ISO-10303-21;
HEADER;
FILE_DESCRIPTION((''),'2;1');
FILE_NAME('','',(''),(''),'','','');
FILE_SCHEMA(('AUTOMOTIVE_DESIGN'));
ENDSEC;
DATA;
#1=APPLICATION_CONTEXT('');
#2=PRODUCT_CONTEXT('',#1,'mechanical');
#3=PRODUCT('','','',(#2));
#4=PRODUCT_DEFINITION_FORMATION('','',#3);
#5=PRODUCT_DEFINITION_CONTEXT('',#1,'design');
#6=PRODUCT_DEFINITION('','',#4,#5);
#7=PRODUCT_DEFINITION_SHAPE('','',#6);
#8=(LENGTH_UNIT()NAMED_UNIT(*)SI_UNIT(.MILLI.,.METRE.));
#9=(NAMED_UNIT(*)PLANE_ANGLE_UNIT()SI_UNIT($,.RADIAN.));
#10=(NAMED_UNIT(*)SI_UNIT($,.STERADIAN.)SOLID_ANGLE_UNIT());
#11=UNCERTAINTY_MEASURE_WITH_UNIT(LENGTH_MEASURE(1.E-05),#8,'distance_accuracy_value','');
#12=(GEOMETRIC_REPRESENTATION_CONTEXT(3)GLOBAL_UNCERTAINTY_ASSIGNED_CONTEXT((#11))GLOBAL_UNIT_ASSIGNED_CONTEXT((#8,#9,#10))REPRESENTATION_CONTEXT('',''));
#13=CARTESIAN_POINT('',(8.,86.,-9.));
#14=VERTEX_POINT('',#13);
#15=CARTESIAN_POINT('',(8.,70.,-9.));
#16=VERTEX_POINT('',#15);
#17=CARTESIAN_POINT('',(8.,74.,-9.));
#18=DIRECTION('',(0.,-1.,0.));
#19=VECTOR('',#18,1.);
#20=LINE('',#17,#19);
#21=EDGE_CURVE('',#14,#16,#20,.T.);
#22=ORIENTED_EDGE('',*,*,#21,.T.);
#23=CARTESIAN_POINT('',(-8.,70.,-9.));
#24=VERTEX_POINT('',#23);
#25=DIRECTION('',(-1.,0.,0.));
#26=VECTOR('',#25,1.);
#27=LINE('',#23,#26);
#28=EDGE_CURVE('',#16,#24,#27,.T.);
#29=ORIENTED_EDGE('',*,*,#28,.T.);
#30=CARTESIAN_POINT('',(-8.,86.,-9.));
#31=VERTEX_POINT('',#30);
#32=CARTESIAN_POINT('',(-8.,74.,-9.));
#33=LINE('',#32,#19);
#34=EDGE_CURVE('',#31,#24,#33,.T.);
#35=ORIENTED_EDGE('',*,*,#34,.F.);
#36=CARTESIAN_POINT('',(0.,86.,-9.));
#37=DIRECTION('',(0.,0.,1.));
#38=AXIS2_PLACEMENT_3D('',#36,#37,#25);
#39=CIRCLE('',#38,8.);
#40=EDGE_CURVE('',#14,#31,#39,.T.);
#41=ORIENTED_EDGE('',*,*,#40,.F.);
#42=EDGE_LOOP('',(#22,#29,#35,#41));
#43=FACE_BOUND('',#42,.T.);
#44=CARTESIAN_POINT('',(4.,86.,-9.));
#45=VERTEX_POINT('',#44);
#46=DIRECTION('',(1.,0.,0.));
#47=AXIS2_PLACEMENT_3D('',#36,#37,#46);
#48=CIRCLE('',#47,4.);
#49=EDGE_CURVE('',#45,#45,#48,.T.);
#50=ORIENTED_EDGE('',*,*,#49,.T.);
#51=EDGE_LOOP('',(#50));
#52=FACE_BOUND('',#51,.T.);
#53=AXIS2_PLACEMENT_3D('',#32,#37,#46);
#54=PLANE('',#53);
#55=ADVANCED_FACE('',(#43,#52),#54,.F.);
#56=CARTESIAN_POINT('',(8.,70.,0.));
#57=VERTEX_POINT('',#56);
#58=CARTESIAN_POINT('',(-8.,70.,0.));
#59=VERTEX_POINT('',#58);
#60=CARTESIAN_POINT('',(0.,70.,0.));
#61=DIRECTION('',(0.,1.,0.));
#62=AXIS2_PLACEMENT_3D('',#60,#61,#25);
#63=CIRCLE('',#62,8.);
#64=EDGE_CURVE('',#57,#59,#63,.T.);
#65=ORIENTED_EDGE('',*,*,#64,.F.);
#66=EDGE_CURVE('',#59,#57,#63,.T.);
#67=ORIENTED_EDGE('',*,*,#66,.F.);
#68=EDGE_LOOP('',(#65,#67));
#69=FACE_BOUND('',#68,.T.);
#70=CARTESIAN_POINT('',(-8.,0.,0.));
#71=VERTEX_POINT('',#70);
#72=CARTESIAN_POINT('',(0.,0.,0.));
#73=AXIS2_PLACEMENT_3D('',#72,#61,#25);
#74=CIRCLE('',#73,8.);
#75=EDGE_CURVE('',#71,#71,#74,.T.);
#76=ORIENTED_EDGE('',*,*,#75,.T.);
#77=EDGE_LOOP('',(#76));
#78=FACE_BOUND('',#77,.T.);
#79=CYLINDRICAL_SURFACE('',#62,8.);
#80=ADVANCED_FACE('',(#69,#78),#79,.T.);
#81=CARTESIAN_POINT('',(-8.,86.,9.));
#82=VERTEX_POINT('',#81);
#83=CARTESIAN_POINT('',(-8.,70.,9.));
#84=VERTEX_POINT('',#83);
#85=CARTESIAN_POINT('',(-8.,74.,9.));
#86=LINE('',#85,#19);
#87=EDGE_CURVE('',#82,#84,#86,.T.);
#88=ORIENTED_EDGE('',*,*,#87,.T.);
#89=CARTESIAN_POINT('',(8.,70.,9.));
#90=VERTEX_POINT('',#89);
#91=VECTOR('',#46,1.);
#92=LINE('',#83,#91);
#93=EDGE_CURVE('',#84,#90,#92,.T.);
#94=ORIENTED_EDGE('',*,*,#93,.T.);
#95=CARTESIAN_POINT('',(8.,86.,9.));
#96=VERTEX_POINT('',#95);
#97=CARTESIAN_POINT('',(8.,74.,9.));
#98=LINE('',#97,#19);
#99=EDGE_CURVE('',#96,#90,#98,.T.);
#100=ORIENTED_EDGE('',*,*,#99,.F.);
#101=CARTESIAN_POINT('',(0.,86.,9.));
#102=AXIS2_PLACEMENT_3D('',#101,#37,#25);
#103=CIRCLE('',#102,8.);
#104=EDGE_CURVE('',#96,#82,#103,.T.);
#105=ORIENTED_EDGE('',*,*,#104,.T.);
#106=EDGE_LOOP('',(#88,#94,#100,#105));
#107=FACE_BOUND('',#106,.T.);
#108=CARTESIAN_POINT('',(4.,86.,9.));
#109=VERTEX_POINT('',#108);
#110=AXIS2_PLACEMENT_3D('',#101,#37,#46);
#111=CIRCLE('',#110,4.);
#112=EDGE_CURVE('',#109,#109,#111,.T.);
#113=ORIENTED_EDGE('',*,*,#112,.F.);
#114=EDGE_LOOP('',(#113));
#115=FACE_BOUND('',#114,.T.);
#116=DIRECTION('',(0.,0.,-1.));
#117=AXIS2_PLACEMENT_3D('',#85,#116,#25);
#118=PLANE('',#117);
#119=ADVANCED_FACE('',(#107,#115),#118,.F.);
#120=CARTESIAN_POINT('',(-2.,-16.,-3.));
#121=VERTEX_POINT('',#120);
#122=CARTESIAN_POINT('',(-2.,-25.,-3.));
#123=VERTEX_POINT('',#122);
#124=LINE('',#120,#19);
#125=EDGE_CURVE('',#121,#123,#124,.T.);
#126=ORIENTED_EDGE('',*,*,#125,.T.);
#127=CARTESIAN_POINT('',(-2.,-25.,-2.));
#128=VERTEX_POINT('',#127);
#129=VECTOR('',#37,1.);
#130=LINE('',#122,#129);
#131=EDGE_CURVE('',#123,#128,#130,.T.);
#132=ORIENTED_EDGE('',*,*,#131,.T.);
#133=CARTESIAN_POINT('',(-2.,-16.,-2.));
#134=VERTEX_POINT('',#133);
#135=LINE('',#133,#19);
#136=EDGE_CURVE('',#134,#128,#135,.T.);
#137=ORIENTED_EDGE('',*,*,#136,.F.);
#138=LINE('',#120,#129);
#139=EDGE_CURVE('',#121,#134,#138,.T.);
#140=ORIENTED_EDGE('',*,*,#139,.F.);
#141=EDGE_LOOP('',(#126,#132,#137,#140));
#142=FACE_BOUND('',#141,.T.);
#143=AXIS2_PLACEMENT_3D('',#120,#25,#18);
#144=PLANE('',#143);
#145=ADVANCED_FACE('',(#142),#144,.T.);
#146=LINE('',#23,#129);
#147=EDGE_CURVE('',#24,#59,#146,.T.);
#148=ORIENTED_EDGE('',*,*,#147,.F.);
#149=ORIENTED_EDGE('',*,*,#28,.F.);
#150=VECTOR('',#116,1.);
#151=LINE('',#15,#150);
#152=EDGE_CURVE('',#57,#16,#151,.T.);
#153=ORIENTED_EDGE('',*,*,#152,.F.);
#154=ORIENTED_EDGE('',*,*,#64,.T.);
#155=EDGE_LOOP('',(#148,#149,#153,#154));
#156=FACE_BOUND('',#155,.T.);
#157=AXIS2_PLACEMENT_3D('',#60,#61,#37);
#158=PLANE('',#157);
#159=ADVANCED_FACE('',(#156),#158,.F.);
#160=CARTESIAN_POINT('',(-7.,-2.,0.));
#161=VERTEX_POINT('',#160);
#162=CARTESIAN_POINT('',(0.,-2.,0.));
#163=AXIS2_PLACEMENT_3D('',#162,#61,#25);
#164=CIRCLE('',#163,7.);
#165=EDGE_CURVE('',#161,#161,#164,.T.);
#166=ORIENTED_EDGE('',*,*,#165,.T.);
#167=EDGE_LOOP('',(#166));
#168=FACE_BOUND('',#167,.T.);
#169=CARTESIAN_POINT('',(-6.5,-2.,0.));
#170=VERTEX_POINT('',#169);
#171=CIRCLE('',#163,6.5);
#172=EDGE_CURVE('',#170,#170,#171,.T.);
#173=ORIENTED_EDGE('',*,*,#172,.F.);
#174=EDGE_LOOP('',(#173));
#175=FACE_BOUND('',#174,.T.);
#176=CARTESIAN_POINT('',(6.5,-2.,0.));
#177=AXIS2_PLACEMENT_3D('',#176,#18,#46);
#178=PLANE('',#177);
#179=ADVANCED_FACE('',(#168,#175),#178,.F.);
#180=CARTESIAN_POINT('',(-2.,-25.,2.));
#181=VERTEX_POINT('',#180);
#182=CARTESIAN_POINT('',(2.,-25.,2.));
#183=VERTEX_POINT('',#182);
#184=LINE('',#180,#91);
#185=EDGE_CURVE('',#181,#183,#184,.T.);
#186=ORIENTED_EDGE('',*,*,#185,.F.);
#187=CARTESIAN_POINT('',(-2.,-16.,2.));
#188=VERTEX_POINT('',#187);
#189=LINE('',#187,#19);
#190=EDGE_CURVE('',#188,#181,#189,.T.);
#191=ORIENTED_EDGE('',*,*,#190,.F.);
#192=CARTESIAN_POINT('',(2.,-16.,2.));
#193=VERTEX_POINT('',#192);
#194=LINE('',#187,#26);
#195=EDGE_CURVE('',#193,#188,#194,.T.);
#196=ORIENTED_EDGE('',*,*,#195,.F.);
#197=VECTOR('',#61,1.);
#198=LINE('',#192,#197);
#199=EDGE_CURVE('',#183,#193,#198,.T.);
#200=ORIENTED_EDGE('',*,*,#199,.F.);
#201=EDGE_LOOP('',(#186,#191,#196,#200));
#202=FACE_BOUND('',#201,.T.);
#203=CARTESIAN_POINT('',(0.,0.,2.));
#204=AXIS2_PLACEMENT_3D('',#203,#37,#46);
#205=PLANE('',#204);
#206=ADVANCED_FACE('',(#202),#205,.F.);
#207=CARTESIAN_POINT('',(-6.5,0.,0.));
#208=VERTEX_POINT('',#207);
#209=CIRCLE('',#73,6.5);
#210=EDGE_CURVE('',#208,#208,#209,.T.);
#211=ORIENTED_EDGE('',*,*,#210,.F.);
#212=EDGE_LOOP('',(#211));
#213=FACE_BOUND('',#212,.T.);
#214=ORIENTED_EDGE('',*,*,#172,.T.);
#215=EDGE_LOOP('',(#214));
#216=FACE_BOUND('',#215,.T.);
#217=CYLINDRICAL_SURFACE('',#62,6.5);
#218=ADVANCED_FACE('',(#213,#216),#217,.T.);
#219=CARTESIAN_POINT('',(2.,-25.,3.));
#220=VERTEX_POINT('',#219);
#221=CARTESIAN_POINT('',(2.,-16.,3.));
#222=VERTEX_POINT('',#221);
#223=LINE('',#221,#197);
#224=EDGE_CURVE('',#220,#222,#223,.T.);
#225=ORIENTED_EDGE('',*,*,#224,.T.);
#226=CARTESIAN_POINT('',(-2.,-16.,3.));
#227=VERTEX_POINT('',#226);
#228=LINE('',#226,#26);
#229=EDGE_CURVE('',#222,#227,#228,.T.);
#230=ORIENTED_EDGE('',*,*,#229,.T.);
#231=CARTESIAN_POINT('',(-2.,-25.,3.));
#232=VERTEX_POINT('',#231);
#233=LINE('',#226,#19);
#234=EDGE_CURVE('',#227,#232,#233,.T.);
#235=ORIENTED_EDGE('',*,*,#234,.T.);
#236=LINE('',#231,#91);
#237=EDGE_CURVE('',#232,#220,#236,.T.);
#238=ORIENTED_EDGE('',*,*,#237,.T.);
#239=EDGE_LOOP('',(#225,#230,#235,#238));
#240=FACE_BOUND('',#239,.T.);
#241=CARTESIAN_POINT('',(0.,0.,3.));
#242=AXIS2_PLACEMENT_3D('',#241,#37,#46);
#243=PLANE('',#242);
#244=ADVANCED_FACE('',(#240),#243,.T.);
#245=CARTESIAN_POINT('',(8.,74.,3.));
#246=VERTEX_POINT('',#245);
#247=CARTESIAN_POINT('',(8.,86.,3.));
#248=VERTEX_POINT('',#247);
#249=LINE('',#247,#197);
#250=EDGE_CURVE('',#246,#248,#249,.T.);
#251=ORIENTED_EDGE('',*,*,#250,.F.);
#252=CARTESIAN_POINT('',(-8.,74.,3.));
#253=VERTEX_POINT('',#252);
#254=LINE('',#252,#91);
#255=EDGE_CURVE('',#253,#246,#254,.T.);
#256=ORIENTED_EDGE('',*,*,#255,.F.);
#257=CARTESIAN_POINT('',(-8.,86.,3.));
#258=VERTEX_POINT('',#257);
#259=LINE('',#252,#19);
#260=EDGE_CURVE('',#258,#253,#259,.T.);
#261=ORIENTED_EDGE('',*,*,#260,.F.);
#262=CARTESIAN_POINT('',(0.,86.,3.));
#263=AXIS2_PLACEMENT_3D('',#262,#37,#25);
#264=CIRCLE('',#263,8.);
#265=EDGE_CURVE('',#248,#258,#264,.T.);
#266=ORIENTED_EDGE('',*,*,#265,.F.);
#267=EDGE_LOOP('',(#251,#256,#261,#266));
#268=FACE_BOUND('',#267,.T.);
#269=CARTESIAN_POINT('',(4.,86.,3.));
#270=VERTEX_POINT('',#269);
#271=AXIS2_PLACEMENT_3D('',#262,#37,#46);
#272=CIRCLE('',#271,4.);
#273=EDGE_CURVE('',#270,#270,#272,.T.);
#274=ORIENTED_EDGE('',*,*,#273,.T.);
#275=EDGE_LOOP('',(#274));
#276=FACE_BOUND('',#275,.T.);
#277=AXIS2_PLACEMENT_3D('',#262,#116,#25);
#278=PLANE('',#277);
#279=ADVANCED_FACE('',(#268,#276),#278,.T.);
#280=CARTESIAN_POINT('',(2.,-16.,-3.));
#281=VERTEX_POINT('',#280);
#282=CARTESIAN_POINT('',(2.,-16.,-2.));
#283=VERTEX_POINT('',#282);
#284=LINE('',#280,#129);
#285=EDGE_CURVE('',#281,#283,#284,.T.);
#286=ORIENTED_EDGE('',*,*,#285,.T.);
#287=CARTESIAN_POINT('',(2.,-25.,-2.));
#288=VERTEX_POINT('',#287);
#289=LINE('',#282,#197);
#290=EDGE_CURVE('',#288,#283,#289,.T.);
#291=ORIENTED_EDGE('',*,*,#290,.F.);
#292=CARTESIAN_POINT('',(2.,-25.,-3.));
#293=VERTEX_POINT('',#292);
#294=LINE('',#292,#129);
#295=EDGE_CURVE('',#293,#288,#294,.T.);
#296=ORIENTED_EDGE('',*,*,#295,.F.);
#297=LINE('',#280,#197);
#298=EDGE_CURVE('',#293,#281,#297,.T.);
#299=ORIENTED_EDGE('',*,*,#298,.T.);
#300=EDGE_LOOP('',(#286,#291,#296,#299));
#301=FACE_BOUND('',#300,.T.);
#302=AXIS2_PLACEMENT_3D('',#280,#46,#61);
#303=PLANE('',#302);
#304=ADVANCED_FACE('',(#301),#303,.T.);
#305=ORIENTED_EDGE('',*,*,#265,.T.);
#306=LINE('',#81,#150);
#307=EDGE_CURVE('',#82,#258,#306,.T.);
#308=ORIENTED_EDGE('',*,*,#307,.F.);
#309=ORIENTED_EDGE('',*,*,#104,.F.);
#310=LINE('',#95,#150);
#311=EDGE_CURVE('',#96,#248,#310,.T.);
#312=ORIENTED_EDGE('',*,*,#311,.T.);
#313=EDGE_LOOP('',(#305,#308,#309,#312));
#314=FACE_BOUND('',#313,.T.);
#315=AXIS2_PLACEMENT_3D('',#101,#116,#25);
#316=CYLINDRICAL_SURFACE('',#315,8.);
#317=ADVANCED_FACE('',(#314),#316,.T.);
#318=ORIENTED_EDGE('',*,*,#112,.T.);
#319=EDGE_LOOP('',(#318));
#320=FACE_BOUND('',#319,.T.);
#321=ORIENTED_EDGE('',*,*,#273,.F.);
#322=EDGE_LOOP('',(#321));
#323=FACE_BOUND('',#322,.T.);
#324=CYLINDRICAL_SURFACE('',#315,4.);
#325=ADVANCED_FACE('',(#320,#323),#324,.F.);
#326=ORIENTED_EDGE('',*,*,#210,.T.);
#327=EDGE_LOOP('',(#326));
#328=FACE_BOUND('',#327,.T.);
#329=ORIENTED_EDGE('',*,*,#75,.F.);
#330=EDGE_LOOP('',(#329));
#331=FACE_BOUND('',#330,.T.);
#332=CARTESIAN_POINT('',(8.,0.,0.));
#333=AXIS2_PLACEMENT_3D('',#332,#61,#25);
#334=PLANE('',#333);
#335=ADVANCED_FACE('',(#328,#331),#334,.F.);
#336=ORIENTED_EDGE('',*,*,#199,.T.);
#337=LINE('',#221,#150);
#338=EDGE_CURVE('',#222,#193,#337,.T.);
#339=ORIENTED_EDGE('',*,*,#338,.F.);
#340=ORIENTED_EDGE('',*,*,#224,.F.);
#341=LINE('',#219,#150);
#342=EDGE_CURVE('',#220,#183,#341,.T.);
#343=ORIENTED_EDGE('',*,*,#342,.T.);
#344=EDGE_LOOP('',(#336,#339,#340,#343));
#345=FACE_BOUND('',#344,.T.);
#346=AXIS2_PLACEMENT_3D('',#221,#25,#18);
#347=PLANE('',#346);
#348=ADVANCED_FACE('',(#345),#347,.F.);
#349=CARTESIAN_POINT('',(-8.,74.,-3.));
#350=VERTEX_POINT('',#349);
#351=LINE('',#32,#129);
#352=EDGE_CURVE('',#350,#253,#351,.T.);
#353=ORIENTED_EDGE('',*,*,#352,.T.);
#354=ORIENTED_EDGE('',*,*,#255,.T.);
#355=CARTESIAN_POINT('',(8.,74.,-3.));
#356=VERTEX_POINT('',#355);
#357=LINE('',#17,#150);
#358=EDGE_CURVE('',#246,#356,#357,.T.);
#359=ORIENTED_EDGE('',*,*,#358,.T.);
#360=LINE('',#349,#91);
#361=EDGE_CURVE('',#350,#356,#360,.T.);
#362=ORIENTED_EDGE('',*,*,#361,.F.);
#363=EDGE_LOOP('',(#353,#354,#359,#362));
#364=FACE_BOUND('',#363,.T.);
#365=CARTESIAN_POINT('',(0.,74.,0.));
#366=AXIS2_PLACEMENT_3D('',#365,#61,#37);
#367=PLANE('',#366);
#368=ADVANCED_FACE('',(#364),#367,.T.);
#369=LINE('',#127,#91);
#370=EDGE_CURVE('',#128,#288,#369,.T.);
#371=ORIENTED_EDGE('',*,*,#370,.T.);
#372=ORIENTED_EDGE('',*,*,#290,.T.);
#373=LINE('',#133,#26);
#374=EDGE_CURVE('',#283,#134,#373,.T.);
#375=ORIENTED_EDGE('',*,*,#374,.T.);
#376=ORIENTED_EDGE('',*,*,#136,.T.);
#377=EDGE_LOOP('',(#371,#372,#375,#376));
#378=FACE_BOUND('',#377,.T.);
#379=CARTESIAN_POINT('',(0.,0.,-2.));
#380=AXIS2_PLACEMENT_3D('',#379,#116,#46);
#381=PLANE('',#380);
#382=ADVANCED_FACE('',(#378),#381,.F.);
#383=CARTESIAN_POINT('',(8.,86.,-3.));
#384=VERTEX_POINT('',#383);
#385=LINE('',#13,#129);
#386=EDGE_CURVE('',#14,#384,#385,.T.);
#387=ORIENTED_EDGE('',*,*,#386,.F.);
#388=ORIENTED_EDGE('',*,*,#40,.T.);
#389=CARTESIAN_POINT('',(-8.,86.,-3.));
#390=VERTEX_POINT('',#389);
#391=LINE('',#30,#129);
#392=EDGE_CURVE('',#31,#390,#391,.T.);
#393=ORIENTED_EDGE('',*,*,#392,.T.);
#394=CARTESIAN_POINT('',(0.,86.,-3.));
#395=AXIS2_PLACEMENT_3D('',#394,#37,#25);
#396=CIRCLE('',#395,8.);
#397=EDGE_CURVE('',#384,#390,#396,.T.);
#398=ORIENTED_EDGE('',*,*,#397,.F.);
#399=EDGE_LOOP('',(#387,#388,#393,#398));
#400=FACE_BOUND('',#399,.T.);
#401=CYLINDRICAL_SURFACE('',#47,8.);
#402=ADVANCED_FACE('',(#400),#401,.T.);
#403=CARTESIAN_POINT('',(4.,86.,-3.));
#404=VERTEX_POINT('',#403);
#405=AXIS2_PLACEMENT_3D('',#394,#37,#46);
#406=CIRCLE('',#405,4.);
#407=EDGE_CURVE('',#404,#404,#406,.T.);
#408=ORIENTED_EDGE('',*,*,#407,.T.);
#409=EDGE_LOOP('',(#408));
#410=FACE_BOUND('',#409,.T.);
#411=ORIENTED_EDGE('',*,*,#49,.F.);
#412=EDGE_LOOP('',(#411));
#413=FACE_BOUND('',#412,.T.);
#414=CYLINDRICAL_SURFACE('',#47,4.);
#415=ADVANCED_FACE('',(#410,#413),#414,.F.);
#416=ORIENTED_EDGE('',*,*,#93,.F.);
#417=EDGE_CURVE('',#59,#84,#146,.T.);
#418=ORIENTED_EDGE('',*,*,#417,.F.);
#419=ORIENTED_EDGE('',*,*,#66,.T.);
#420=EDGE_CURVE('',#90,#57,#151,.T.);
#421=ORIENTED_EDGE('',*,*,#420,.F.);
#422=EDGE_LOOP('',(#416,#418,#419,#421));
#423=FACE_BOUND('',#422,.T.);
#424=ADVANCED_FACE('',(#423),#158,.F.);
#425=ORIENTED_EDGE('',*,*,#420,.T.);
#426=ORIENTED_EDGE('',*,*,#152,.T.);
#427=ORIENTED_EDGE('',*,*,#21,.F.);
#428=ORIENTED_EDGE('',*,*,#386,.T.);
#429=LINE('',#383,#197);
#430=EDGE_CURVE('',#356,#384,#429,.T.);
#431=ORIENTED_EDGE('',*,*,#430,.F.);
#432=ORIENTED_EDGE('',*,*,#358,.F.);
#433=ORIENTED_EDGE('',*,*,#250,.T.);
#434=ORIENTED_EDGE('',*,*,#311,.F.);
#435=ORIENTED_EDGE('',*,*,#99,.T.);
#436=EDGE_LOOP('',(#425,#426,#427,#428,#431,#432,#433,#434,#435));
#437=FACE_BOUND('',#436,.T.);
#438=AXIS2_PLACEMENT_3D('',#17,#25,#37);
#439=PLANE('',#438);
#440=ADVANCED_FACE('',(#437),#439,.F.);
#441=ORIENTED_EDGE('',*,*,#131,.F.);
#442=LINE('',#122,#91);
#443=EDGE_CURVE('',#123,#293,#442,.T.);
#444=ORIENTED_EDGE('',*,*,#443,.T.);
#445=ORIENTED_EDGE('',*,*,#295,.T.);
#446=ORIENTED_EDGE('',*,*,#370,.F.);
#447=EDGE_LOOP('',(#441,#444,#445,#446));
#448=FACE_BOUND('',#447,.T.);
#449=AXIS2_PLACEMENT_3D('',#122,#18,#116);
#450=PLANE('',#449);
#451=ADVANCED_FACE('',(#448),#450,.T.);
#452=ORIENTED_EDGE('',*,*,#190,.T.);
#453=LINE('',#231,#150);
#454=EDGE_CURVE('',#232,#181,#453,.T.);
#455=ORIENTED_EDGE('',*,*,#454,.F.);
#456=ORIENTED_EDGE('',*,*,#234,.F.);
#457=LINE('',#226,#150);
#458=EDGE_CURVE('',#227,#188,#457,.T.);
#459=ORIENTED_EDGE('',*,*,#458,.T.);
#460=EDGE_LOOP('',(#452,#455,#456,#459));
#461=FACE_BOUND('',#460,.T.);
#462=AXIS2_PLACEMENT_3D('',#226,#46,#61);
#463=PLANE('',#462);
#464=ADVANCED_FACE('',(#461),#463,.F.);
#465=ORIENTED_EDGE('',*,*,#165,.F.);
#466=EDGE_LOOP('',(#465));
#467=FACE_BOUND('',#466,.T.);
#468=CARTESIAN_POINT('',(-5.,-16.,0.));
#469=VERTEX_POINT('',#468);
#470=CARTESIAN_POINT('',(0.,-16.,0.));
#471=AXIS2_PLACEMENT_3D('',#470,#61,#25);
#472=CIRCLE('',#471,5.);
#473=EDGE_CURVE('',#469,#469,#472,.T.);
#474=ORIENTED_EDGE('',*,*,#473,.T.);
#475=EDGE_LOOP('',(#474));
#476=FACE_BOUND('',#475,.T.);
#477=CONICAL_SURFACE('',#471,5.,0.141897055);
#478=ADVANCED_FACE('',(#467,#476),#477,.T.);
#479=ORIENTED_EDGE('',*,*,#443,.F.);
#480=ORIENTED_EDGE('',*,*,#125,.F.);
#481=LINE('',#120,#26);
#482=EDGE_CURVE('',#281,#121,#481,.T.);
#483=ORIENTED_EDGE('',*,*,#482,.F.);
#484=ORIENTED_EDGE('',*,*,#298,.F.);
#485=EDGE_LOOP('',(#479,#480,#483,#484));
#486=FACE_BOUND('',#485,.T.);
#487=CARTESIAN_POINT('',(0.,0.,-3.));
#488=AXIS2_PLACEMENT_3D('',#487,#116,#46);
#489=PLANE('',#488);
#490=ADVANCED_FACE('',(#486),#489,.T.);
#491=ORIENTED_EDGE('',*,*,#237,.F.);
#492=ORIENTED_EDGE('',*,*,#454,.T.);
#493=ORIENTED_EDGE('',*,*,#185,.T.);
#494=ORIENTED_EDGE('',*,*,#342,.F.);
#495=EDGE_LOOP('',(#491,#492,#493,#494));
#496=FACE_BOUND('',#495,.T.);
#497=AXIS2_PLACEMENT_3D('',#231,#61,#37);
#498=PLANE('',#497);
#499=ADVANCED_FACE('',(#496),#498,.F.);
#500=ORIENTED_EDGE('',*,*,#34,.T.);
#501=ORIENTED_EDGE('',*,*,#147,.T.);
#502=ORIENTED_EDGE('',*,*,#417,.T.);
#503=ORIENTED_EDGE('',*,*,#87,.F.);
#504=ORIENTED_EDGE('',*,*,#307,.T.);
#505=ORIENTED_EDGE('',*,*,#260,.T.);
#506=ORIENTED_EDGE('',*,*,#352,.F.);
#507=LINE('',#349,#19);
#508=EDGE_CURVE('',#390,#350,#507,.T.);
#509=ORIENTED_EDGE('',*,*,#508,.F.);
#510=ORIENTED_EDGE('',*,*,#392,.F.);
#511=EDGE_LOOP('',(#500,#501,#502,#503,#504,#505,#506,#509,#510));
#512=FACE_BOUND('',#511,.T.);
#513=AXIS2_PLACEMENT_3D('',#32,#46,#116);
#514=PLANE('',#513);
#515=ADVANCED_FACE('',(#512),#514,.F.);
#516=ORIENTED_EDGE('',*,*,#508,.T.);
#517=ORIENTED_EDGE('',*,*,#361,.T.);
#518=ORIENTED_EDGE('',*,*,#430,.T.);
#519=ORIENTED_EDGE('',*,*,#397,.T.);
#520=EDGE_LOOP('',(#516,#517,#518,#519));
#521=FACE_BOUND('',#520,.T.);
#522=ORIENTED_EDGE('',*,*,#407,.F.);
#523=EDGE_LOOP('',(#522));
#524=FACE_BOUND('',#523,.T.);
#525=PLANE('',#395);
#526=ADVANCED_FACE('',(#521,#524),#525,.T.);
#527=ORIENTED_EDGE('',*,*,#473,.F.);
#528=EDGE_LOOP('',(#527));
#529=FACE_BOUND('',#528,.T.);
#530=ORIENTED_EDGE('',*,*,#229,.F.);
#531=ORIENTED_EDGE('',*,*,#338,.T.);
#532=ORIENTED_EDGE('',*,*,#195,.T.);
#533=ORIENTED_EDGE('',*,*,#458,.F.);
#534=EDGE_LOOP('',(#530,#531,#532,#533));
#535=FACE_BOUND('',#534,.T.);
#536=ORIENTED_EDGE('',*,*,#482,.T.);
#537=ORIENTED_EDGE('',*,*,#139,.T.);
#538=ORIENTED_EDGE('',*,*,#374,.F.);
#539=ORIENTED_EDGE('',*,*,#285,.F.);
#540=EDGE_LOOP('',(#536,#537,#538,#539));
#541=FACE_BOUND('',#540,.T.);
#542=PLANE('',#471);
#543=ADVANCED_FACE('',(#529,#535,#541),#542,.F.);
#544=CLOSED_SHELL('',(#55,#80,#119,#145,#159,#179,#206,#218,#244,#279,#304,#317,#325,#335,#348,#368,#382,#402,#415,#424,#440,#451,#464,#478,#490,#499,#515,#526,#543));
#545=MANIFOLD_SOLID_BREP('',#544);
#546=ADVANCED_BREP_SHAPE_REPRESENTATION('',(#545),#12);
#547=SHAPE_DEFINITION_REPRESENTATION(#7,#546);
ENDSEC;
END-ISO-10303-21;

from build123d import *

# Parameters (mm, degrees)
SKETCH_2_W      = 16
SKETCH_2_H      = 18
EXTRUDE_1_DEPTH = 4
EXTRUDE_START   = 3
SKETCH_3_R      = 4
EXTRUDE_3_DEPTH = 6
EXTRUDE_START_2 = 2
SKETCH_4_W      = 4
SKETCH_4_H      = 9
EXTRUDE_4_DEPTH = 1


with BuildPart() as part:
    # 草图1 → 旋转1 (revolve)
    with BuildSketch(Plane.XY, mode=Mode.PRIVATE) as revolve_1_sk:
        Polygon((8, 70), (0, 70), (0, -16), (5, -16), (7, -2), (6.5, -2), (6.5, 0), (8, 0), align=None)
    revolve(revolve_1_sk.sketch.rotate(Axis((0, 70, 0), (0, -1, 0)), 180), axis=Axis((0, 70, 0), (0, -1, 0)))

    # 草图2 → 凸台-拉伸1 (add)
    with BuildSketch(Plane(origin=(0, 70, 0), x_dir=(1, 0, 0), z_dir=(0, 1, 0))):
        Rectangle(SKETCH_2_W, SKETCH_2_H)
    extrude(amount=EXTRUDE_1_DEPTH)

    # 草图3 → 凸台-拉伸3 (add)
    with BuildSketch(Plane.XY.offset(EXTRUDE_START)):
        with BuildLine():
            Line((-8, 74), (-8, 86))
            ThreePointArc((-8, 86), (0, 94), (8, 86))
            Line((8, 86), (8, 74))
            Line((8, 74), (-8, 74))
        make_face()
        with Locations((0, 86)):
            Circle(SKETCH_3_R, mode=Mode.SUBTRACT)
    extrude_3 = extrude(amount=EXTRUDE_3_DEPTH)

    # 镜向1: 凸台-拉伸3 across plane
    add(extrude_3.mirror(Plane.XY))

    # 草图4 → 凸台-拉伸4 (add)
    with BuildSketch(Plane.XY.offset(EXTRUDE_START_2)):
        with Locations((0, -20.5)):
            Rectangle(SKETCH_4_W, SKETCH_4_H)
    extrude_4 = extrude(amount=EXTRUDE_4_DEPTH)

    # 镜向2: 凸台-拉伸4 across plane
    add(extrude_4.mirror(Plane.XY))


solid = part.part
